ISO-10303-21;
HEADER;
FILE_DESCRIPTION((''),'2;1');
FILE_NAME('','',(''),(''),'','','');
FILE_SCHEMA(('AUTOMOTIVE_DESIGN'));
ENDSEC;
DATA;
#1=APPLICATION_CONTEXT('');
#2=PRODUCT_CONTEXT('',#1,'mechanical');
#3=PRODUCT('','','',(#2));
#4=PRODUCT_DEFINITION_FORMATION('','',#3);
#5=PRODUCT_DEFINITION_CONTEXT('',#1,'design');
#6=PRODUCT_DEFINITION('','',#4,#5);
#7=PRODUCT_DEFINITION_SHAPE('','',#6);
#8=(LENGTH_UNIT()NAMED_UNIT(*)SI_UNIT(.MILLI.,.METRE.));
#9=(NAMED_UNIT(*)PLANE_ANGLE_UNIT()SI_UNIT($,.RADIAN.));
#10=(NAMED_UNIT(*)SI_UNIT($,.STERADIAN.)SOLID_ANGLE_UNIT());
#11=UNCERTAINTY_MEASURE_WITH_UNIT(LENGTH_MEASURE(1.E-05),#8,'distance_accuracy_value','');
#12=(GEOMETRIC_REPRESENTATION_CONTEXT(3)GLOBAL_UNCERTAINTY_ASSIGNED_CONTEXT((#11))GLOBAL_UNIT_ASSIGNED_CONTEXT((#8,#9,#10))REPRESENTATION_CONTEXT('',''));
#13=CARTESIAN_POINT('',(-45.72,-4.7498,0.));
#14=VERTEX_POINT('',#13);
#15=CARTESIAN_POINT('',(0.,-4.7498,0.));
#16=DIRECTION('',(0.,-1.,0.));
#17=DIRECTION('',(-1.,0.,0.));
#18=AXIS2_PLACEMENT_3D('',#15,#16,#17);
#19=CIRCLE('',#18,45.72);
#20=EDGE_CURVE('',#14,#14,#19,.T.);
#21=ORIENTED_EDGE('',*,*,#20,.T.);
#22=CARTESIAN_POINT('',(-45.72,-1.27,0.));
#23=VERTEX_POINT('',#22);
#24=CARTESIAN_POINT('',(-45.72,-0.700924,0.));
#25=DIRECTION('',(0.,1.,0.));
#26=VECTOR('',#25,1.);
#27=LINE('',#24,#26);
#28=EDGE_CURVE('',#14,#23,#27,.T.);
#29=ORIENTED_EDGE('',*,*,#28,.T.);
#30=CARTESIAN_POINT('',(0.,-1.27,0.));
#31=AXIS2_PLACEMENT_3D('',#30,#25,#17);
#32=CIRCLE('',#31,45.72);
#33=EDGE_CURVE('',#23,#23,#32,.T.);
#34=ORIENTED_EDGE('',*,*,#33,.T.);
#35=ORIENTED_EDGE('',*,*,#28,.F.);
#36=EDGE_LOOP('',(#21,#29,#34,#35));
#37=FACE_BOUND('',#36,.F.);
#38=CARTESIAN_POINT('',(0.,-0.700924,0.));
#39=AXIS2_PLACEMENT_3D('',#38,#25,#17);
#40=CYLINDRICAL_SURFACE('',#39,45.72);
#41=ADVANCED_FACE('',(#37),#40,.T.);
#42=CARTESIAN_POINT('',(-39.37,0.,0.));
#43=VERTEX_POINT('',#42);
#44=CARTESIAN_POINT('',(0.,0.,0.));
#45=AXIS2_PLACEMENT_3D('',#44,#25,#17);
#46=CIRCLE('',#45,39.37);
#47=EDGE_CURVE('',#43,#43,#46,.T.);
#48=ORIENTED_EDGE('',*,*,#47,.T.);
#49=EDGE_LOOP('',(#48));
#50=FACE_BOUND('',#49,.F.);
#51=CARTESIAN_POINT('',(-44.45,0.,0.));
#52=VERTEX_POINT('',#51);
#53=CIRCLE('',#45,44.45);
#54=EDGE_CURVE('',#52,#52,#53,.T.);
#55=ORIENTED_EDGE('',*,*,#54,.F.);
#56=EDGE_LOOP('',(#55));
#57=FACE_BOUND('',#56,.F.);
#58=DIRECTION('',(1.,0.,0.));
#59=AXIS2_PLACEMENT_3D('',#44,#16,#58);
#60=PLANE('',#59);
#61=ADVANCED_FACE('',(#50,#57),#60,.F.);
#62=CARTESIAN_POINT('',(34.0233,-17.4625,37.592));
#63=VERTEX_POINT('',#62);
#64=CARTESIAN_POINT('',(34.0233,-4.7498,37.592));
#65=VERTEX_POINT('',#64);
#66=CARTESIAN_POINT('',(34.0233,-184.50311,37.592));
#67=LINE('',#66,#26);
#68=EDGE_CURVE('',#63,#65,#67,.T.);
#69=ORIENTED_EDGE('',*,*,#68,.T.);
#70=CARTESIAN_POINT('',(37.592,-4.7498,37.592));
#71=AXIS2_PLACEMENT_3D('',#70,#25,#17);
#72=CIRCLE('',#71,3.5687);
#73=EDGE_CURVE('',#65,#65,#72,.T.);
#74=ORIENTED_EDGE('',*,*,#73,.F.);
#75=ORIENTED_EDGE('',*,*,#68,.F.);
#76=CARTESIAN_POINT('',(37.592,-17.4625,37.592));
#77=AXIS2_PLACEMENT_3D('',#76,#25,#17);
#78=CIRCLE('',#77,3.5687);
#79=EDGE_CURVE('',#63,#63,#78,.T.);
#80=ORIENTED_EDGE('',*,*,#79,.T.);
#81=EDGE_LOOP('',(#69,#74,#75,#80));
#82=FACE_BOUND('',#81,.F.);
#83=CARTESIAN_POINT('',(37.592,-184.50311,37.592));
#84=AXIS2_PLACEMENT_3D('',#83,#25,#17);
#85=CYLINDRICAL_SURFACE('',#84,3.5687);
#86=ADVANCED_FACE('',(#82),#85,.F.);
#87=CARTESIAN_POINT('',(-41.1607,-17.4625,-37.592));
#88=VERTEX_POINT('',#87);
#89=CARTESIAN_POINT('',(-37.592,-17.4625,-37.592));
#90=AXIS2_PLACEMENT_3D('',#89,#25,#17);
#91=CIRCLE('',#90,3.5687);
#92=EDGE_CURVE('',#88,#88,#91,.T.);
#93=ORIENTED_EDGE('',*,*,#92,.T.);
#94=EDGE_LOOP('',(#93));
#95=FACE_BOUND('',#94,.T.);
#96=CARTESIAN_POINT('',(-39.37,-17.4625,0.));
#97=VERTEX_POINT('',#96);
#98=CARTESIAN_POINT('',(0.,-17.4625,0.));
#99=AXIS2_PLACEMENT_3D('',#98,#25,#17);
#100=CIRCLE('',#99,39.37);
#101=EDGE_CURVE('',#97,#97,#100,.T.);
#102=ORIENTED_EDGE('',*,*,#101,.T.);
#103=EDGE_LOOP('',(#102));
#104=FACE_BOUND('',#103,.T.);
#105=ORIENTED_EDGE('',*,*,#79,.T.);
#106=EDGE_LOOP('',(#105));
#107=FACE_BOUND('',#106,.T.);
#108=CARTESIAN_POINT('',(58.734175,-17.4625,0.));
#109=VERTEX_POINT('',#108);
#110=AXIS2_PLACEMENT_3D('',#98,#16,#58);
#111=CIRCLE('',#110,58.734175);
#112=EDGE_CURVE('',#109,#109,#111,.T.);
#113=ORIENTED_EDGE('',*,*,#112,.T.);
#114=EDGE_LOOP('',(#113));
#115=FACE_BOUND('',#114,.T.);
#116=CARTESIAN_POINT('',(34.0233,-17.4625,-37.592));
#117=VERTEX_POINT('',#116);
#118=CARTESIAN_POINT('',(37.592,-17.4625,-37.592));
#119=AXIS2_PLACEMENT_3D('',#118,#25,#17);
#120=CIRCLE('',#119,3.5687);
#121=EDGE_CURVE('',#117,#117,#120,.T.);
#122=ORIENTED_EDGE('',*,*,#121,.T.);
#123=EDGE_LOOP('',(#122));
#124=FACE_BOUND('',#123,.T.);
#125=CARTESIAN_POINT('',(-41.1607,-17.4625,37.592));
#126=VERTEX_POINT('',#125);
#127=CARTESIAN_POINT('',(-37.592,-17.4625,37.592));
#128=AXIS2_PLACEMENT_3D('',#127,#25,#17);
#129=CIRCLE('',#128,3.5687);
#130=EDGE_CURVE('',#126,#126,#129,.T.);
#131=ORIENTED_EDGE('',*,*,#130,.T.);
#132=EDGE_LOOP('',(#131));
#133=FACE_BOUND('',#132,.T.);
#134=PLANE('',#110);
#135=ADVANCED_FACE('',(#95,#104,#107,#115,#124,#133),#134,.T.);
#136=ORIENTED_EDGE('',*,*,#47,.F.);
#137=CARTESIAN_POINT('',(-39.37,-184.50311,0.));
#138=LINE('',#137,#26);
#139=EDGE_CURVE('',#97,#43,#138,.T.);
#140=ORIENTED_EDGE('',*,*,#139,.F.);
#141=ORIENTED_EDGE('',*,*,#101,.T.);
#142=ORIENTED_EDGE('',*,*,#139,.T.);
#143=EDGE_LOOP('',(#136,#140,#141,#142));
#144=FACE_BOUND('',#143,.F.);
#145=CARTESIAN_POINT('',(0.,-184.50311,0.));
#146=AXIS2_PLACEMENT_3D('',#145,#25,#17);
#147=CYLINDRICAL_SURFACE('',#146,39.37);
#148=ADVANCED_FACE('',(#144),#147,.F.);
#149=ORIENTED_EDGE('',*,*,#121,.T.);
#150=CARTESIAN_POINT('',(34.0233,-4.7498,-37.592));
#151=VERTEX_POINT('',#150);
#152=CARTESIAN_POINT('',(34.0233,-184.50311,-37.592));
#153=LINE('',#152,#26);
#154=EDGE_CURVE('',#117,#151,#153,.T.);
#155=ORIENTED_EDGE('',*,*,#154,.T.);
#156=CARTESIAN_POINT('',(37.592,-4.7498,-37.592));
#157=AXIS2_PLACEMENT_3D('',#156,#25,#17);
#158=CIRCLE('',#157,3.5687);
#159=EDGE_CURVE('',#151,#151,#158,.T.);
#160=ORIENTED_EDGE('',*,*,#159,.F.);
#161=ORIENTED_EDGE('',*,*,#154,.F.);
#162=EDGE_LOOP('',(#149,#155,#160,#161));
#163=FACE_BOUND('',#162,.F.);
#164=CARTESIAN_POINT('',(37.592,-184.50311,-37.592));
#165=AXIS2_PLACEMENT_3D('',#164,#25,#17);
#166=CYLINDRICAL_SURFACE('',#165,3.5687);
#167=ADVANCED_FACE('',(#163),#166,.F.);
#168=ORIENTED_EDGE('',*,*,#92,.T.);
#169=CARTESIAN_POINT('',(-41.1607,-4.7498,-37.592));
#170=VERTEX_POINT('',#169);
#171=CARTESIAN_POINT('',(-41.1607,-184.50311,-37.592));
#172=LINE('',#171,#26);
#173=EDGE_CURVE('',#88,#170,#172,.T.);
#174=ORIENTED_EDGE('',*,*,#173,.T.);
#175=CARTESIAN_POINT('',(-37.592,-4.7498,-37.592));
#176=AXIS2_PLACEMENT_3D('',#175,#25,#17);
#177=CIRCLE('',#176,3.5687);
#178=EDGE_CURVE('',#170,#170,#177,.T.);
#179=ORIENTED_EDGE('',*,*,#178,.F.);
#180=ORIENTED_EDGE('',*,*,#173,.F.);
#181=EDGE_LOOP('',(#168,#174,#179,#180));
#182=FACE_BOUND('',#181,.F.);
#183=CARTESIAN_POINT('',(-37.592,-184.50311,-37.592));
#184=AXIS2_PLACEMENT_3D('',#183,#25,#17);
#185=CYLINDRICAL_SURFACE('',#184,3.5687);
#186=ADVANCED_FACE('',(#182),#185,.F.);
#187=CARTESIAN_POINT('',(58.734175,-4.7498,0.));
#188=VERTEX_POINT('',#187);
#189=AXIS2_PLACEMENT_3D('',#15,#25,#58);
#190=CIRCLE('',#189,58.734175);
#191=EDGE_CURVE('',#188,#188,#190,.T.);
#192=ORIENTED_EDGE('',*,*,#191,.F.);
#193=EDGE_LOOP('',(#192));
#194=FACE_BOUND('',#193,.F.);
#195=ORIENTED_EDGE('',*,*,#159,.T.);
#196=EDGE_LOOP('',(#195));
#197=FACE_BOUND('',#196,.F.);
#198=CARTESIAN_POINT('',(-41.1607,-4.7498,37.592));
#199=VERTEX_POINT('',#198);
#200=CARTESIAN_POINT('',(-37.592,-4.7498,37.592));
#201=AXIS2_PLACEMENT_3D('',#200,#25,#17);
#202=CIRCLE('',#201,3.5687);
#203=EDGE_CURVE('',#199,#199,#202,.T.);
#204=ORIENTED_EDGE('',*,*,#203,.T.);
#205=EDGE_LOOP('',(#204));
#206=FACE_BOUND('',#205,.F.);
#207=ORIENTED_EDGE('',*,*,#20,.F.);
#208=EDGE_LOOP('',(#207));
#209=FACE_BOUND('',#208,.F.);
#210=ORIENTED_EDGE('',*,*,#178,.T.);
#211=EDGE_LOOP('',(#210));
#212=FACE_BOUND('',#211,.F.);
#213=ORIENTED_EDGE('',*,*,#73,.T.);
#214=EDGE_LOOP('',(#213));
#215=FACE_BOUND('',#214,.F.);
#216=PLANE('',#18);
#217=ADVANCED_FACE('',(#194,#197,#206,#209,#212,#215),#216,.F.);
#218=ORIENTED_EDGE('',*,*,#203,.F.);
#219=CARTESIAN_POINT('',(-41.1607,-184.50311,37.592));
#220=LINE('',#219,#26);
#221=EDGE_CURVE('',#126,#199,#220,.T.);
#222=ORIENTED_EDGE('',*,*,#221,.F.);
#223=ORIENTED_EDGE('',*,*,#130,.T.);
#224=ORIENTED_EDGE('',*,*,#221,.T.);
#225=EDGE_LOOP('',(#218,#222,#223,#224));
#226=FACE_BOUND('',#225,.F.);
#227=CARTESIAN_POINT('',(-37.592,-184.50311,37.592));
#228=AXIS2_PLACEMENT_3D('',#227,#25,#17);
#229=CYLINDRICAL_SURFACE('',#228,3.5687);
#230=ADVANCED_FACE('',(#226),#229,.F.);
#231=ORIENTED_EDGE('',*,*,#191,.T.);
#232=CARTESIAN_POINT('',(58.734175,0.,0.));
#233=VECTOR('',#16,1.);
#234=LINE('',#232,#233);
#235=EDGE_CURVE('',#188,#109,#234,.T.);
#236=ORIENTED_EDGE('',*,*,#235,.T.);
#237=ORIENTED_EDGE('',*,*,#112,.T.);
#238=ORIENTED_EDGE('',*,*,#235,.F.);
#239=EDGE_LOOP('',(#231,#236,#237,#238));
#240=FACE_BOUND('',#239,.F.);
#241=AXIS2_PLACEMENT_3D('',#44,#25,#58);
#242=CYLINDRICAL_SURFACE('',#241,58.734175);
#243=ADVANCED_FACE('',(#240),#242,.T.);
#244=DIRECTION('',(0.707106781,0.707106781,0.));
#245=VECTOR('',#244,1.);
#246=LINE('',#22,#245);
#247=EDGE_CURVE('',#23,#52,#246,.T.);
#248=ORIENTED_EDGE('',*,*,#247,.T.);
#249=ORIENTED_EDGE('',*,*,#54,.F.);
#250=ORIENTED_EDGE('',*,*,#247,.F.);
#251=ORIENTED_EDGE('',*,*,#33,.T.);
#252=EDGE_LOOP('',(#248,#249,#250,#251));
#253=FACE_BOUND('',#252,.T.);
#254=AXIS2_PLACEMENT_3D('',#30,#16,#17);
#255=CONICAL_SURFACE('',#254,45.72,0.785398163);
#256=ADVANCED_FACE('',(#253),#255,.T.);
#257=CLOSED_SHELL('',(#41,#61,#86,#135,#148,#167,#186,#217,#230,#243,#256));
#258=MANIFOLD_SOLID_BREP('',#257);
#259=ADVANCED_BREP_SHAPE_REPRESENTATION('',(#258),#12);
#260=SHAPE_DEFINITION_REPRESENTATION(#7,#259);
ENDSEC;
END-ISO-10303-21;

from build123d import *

# Parameters (mm, degrees)
F0_R     = 58.7341750738
F1_DEPTH = 17.4625
F2_W     = 17.6311007185
F2_H     = 8.097752736
F4_SIZE  = 1.27
F6_D     = 7.1374
F7_D     = 78.74


with BuildPart() as f1:
    # F0 (on Front) → F1 (new body)
    with BuildSketch(Plane.XZ):
        Circle(F0_R)
    extrude(amount=F1_DEPTH)

    # F2 (on Top) → F3 (revolve, cut)
    with BuildSketch(Plane.XY):
        with Locations((-54.5355503593, -0.700923632)):
            Rectangle(F2_W, F2_H)
    revolve(axis=Axis((0, -1.8075983971, 0), (0, -1, 0)), mode=Mode.SUBTRACT)

    # F4
    f4_edges = [f1.edges().sort_by_distance(p)[0] for p in [
        (45.72, 0, 0),
    ]]
    chamfer(f4_edges, length=F4_SIZE)

    # F6 (through all)
    with Locations(Plane.XZ.offset(17.4625)):
        with Locations((-37.592, 37.592), (37.592, 37.592), (37.592, -37.592), (-37.592, -37.592)):
            Hole(F6_D / 2)

    # F7 (through all)
    with Locations(Plane.XZ.offset(17.4625)):
        with Locations((0, 0)):
            Hole(F7_D / 2)


solid = f1.part
